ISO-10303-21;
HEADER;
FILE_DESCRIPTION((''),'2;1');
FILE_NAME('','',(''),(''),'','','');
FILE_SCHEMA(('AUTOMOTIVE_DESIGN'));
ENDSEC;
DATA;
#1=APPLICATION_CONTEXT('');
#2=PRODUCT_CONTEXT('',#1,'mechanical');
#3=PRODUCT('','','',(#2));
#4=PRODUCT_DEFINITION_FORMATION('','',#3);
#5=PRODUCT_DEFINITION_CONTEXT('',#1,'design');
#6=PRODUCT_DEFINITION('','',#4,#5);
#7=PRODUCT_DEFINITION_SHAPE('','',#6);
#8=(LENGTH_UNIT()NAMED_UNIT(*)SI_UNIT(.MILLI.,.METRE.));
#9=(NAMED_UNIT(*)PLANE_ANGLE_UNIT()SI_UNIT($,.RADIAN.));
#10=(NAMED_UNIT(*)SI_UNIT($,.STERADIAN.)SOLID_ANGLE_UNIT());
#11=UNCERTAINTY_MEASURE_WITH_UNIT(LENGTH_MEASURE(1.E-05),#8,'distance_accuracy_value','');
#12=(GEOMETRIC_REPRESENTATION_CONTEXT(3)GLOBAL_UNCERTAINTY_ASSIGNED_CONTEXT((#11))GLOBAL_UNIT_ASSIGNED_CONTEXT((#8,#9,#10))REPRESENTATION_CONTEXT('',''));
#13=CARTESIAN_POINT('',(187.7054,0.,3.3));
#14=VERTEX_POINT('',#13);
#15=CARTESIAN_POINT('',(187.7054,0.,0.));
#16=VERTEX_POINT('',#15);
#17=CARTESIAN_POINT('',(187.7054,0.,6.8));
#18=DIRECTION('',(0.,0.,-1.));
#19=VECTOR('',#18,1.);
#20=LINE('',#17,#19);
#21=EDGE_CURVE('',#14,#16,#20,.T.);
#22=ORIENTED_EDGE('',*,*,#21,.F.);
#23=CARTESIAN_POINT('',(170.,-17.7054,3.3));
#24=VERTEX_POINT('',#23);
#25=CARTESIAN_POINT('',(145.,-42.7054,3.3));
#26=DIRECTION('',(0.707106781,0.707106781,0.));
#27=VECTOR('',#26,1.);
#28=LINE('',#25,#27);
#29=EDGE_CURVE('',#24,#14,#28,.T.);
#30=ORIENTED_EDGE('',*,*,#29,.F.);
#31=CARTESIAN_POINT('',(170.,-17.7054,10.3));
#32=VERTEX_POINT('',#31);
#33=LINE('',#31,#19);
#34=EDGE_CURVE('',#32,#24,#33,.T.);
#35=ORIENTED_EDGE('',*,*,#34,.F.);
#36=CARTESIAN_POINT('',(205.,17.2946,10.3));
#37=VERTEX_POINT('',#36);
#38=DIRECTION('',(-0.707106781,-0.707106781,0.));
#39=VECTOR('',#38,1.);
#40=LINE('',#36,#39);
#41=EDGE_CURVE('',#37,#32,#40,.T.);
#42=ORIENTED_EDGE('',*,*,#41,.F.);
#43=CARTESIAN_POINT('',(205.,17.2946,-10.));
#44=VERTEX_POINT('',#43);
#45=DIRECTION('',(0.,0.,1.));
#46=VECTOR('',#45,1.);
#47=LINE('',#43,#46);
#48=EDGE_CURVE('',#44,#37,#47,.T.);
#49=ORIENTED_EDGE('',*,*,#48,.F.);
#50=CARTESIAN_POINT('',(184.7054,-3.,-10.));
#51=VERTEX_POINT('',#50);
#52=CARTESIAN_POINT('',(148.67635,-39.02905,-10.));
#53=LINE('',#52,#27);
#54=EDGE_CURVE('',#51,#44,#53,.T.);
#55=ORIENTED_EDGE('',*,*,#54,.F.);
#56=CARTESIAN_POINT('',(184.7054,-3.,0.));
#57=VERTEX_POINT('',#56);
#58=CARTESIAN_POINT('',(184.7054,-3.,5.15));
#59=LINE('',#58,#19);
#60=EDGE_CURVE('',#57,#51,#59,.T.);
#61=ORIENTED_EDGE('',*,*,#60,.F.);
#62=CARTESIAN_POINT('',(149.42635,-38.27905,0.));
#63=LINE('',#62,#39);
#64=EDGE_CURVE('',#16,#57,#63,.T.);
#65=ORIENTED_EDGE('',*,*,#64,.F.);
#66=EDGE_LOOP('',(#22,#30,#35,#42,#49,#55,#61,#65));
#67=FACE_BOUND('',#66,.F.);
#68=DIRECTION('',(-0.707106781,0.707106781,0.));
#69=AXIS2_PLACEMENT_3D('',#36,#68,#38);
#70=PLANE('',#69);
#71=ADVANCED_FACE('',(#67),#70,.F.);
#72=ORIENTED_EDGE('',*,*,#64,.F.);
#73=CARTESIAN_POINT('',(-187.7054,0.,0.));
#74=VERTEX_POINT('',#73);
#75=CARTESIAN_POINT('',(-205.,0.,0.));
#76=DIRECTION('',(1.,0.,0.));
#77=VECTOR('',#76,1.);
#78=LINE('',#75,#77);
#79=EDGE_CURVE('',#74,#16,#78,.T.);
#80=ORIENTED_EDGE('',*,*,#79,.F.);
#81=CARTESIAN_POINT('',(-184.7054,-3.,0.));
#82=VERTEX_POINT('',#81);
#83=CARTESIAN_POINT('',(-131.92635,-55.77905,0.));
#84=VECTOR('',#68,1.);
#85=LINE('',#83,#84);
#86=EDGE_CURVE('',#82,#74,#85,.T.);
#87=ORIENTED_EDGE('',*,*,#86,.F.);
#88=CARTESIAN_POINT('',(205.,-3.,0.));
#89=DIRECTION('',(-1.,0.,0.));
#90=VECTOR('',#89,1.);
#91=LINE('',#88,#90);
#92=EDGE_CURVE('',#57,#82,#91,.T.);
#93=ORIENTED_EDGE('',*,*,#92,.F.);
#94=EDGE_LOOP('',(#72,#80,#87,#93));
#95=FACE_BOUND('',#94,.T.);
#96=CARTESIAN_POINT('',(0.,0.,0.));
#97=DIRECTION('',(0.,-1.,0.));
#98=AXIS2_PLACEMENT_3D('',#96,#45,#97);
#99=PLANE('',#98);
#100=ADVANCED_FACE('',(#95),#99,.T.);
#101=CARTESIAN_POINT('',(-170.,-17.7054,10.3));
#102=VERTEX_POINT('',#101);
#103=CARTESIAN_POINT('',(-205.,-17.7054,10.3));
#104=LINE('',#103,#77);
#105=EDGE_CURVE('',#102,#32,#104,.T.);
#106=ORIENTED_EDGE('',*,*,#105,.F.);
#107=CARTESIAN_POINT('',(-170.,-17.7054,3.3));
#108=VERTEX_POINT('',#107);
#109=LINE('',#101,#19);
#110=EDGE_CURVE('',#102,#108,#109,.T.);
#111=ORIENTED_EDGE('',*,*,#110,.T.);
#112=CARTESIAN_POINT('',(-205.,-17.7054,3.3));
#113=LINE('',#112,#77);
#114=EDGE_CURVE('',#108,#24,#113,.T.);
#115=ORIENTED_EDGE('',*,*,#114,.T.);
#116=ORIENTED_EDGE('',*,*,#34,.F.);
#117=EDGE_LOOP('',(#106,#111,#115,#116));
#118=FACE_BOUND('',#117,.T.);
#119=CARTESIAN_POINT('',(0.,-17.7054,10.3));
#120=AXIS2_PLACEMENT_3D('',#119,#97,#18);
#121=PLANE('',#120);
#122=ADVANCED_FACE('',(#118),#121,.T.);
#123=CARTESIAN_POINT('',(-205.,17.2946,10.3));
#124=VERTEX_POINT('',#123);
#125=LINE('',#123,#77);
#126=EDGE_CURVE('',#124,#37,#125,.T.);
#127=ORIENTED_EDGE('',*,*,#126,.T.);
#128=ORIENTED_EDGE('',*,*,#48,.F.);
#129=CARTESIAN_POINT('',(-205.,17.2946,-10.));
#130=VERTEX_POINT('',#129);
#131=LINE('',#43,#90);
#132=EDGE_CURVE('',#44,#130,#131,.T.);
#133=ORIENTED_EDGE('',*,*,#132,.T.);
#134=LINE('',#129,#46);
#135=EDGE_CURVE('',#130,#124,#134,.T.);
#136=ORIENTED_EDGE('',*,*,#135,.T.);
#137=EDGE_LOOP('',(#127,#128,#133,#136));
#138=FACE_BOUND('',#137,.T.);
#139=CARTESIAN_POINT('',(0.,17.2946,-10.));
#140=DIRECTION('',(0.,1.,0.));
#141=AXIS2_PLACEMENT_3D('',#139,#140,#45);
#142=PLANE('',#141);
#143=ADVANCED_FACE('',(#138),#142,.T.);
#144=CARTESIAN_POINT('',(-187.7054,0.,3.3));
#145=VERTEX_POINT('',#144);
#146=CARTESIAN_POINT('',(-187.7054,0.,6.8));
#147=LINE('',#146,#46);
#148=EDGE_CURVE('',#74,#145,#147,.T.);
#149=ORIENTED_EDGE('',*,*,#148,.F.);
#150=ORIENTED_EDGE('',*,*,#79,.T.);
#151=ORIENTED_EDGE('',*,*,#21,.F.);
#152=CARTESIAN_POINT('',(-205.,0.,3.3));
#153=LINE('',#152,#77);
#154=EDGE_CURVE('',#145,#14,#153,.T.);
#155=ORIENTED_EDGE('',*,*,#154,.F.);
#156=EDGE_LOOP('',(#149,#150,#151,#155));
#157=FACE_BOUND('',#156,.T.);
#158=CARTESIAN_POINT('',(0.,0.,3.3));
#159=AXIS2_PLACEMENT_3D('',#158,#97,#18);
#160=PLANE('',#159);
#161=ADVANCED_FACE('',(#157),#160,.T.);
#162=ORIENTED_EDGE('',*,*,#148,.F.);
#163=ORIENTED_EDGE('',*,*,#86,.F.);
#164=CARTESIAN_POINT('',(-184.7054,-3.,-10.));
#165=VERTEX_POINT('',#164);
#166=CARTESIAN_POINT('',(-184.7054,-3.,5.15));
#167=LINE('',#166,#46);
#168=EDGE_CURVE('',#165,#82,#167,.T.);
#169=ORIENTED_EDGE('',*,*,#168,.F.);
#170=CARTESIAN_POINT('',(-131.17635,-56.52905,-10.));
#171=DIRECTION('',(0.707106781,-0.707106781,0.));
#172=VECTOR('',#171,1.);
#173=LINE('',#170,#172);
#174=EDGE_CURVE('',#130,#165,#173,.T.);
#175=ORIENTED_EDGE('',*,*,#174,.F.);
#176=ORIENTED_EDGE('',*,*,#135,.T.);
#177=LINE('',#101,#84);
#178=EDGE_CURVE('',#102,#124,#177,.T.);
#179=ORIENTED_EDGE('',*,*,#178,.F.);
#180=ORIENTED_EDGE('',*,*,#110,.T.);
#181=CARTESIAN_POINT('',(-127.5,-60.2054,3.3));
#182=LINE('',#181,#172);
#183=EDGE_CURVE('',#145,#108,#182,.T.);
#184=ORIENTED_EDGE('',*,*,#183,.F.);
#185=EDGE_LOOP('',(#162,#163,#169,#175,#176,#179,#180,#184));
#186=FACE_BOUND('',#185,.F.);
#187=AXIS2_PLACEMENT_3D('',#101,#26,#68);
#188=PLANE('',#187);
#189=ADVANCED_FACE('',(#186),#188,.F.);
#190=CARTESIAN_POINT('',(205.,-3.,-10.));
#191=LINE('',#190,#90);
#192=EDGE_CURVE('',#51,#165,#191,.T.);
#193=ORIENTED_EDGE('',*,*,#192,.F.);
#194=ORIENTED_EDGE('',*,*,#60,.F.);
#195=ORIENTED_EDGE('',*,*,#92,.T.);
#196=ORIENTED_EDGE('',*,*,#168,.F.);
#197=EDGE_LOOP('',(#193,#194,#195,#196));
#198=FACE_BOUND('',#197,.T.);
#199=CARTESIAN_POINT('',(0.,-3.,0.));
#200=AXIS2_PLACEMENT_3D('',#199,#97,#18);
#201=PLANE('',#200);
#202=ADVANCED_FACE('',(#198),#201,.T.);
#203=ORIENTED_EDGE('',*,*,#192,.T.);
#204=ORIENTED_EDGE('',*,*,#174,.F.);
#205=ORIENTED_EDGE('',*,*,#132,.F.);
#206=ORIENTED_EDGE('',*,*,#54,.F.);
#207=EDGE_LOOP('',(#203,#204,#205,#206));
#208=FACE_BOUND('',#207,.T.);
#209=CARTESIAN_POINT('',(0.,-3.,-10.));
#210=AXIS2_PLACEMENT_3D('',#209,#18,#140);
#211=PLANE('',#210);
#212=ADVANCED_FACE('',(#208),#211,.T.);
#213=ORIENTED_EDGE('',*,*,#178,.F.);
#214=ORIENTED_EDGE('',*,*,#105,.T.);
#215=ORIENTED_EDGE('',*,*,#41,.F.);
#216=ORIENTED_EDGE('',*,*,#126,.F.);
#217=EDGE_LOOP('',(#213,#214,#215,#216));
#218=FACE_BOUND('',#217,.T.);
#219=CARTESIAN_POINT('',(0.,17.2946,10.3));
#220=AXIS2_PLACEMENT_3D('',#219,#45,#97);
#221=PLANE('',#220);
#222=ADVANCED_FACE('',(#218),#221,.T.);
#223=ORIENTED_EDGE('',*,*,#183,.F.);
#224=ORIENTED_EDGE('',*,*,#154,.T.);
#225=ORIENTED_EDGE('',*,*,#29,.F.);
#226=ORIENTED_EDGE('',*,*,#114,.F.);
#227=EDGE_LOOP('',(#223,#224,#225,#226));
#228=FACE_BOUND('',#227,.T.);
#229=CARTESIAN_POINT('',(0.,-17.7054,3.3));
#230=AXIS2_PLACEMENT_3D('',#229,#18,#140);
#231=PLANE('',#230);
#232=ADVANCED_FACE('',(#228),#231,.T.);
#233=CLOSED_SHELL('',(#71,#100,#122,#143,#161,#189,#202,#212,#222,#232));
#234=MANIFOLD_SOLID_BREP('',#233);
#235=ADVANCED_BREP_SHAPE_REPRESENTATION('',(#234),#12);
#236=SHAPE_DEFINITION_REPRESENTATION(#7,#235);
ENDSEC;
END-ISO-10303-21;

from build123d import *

# Parameters (mm, degrees)
F1_DEPTH = 205
F3_DEPTH = 25.4


with BuildPart() as f1:
    # F0 (on Right) → F1 (new body, symmetric)
    with BuildSketch(Plane.YZ):
        Polygon((17.2946, -10), (17.2946, 10.3), (-17.7054, 10.3), (-17.7054, 3.3), (0, 3.3), (0, 0), (-3, 0), (-3, -10), align=None)
    extrude(amount=F1_DEPTH, both=True)

    # F2 (on face) → F3 (cut)
    with BuildSketch(Plane.XY.offset(10.3)):
        Polygon((-170, -17.7054), (-205, 17.2946), (-205, -17.7054), align=None)
        Polygon((205, -17.7054), (205, 17.2946), (170, -17.7054), align=None)
    extrude(amount=-F3_DEPTH, mode=Mode.SUBTRACT)


solid = f1.part
